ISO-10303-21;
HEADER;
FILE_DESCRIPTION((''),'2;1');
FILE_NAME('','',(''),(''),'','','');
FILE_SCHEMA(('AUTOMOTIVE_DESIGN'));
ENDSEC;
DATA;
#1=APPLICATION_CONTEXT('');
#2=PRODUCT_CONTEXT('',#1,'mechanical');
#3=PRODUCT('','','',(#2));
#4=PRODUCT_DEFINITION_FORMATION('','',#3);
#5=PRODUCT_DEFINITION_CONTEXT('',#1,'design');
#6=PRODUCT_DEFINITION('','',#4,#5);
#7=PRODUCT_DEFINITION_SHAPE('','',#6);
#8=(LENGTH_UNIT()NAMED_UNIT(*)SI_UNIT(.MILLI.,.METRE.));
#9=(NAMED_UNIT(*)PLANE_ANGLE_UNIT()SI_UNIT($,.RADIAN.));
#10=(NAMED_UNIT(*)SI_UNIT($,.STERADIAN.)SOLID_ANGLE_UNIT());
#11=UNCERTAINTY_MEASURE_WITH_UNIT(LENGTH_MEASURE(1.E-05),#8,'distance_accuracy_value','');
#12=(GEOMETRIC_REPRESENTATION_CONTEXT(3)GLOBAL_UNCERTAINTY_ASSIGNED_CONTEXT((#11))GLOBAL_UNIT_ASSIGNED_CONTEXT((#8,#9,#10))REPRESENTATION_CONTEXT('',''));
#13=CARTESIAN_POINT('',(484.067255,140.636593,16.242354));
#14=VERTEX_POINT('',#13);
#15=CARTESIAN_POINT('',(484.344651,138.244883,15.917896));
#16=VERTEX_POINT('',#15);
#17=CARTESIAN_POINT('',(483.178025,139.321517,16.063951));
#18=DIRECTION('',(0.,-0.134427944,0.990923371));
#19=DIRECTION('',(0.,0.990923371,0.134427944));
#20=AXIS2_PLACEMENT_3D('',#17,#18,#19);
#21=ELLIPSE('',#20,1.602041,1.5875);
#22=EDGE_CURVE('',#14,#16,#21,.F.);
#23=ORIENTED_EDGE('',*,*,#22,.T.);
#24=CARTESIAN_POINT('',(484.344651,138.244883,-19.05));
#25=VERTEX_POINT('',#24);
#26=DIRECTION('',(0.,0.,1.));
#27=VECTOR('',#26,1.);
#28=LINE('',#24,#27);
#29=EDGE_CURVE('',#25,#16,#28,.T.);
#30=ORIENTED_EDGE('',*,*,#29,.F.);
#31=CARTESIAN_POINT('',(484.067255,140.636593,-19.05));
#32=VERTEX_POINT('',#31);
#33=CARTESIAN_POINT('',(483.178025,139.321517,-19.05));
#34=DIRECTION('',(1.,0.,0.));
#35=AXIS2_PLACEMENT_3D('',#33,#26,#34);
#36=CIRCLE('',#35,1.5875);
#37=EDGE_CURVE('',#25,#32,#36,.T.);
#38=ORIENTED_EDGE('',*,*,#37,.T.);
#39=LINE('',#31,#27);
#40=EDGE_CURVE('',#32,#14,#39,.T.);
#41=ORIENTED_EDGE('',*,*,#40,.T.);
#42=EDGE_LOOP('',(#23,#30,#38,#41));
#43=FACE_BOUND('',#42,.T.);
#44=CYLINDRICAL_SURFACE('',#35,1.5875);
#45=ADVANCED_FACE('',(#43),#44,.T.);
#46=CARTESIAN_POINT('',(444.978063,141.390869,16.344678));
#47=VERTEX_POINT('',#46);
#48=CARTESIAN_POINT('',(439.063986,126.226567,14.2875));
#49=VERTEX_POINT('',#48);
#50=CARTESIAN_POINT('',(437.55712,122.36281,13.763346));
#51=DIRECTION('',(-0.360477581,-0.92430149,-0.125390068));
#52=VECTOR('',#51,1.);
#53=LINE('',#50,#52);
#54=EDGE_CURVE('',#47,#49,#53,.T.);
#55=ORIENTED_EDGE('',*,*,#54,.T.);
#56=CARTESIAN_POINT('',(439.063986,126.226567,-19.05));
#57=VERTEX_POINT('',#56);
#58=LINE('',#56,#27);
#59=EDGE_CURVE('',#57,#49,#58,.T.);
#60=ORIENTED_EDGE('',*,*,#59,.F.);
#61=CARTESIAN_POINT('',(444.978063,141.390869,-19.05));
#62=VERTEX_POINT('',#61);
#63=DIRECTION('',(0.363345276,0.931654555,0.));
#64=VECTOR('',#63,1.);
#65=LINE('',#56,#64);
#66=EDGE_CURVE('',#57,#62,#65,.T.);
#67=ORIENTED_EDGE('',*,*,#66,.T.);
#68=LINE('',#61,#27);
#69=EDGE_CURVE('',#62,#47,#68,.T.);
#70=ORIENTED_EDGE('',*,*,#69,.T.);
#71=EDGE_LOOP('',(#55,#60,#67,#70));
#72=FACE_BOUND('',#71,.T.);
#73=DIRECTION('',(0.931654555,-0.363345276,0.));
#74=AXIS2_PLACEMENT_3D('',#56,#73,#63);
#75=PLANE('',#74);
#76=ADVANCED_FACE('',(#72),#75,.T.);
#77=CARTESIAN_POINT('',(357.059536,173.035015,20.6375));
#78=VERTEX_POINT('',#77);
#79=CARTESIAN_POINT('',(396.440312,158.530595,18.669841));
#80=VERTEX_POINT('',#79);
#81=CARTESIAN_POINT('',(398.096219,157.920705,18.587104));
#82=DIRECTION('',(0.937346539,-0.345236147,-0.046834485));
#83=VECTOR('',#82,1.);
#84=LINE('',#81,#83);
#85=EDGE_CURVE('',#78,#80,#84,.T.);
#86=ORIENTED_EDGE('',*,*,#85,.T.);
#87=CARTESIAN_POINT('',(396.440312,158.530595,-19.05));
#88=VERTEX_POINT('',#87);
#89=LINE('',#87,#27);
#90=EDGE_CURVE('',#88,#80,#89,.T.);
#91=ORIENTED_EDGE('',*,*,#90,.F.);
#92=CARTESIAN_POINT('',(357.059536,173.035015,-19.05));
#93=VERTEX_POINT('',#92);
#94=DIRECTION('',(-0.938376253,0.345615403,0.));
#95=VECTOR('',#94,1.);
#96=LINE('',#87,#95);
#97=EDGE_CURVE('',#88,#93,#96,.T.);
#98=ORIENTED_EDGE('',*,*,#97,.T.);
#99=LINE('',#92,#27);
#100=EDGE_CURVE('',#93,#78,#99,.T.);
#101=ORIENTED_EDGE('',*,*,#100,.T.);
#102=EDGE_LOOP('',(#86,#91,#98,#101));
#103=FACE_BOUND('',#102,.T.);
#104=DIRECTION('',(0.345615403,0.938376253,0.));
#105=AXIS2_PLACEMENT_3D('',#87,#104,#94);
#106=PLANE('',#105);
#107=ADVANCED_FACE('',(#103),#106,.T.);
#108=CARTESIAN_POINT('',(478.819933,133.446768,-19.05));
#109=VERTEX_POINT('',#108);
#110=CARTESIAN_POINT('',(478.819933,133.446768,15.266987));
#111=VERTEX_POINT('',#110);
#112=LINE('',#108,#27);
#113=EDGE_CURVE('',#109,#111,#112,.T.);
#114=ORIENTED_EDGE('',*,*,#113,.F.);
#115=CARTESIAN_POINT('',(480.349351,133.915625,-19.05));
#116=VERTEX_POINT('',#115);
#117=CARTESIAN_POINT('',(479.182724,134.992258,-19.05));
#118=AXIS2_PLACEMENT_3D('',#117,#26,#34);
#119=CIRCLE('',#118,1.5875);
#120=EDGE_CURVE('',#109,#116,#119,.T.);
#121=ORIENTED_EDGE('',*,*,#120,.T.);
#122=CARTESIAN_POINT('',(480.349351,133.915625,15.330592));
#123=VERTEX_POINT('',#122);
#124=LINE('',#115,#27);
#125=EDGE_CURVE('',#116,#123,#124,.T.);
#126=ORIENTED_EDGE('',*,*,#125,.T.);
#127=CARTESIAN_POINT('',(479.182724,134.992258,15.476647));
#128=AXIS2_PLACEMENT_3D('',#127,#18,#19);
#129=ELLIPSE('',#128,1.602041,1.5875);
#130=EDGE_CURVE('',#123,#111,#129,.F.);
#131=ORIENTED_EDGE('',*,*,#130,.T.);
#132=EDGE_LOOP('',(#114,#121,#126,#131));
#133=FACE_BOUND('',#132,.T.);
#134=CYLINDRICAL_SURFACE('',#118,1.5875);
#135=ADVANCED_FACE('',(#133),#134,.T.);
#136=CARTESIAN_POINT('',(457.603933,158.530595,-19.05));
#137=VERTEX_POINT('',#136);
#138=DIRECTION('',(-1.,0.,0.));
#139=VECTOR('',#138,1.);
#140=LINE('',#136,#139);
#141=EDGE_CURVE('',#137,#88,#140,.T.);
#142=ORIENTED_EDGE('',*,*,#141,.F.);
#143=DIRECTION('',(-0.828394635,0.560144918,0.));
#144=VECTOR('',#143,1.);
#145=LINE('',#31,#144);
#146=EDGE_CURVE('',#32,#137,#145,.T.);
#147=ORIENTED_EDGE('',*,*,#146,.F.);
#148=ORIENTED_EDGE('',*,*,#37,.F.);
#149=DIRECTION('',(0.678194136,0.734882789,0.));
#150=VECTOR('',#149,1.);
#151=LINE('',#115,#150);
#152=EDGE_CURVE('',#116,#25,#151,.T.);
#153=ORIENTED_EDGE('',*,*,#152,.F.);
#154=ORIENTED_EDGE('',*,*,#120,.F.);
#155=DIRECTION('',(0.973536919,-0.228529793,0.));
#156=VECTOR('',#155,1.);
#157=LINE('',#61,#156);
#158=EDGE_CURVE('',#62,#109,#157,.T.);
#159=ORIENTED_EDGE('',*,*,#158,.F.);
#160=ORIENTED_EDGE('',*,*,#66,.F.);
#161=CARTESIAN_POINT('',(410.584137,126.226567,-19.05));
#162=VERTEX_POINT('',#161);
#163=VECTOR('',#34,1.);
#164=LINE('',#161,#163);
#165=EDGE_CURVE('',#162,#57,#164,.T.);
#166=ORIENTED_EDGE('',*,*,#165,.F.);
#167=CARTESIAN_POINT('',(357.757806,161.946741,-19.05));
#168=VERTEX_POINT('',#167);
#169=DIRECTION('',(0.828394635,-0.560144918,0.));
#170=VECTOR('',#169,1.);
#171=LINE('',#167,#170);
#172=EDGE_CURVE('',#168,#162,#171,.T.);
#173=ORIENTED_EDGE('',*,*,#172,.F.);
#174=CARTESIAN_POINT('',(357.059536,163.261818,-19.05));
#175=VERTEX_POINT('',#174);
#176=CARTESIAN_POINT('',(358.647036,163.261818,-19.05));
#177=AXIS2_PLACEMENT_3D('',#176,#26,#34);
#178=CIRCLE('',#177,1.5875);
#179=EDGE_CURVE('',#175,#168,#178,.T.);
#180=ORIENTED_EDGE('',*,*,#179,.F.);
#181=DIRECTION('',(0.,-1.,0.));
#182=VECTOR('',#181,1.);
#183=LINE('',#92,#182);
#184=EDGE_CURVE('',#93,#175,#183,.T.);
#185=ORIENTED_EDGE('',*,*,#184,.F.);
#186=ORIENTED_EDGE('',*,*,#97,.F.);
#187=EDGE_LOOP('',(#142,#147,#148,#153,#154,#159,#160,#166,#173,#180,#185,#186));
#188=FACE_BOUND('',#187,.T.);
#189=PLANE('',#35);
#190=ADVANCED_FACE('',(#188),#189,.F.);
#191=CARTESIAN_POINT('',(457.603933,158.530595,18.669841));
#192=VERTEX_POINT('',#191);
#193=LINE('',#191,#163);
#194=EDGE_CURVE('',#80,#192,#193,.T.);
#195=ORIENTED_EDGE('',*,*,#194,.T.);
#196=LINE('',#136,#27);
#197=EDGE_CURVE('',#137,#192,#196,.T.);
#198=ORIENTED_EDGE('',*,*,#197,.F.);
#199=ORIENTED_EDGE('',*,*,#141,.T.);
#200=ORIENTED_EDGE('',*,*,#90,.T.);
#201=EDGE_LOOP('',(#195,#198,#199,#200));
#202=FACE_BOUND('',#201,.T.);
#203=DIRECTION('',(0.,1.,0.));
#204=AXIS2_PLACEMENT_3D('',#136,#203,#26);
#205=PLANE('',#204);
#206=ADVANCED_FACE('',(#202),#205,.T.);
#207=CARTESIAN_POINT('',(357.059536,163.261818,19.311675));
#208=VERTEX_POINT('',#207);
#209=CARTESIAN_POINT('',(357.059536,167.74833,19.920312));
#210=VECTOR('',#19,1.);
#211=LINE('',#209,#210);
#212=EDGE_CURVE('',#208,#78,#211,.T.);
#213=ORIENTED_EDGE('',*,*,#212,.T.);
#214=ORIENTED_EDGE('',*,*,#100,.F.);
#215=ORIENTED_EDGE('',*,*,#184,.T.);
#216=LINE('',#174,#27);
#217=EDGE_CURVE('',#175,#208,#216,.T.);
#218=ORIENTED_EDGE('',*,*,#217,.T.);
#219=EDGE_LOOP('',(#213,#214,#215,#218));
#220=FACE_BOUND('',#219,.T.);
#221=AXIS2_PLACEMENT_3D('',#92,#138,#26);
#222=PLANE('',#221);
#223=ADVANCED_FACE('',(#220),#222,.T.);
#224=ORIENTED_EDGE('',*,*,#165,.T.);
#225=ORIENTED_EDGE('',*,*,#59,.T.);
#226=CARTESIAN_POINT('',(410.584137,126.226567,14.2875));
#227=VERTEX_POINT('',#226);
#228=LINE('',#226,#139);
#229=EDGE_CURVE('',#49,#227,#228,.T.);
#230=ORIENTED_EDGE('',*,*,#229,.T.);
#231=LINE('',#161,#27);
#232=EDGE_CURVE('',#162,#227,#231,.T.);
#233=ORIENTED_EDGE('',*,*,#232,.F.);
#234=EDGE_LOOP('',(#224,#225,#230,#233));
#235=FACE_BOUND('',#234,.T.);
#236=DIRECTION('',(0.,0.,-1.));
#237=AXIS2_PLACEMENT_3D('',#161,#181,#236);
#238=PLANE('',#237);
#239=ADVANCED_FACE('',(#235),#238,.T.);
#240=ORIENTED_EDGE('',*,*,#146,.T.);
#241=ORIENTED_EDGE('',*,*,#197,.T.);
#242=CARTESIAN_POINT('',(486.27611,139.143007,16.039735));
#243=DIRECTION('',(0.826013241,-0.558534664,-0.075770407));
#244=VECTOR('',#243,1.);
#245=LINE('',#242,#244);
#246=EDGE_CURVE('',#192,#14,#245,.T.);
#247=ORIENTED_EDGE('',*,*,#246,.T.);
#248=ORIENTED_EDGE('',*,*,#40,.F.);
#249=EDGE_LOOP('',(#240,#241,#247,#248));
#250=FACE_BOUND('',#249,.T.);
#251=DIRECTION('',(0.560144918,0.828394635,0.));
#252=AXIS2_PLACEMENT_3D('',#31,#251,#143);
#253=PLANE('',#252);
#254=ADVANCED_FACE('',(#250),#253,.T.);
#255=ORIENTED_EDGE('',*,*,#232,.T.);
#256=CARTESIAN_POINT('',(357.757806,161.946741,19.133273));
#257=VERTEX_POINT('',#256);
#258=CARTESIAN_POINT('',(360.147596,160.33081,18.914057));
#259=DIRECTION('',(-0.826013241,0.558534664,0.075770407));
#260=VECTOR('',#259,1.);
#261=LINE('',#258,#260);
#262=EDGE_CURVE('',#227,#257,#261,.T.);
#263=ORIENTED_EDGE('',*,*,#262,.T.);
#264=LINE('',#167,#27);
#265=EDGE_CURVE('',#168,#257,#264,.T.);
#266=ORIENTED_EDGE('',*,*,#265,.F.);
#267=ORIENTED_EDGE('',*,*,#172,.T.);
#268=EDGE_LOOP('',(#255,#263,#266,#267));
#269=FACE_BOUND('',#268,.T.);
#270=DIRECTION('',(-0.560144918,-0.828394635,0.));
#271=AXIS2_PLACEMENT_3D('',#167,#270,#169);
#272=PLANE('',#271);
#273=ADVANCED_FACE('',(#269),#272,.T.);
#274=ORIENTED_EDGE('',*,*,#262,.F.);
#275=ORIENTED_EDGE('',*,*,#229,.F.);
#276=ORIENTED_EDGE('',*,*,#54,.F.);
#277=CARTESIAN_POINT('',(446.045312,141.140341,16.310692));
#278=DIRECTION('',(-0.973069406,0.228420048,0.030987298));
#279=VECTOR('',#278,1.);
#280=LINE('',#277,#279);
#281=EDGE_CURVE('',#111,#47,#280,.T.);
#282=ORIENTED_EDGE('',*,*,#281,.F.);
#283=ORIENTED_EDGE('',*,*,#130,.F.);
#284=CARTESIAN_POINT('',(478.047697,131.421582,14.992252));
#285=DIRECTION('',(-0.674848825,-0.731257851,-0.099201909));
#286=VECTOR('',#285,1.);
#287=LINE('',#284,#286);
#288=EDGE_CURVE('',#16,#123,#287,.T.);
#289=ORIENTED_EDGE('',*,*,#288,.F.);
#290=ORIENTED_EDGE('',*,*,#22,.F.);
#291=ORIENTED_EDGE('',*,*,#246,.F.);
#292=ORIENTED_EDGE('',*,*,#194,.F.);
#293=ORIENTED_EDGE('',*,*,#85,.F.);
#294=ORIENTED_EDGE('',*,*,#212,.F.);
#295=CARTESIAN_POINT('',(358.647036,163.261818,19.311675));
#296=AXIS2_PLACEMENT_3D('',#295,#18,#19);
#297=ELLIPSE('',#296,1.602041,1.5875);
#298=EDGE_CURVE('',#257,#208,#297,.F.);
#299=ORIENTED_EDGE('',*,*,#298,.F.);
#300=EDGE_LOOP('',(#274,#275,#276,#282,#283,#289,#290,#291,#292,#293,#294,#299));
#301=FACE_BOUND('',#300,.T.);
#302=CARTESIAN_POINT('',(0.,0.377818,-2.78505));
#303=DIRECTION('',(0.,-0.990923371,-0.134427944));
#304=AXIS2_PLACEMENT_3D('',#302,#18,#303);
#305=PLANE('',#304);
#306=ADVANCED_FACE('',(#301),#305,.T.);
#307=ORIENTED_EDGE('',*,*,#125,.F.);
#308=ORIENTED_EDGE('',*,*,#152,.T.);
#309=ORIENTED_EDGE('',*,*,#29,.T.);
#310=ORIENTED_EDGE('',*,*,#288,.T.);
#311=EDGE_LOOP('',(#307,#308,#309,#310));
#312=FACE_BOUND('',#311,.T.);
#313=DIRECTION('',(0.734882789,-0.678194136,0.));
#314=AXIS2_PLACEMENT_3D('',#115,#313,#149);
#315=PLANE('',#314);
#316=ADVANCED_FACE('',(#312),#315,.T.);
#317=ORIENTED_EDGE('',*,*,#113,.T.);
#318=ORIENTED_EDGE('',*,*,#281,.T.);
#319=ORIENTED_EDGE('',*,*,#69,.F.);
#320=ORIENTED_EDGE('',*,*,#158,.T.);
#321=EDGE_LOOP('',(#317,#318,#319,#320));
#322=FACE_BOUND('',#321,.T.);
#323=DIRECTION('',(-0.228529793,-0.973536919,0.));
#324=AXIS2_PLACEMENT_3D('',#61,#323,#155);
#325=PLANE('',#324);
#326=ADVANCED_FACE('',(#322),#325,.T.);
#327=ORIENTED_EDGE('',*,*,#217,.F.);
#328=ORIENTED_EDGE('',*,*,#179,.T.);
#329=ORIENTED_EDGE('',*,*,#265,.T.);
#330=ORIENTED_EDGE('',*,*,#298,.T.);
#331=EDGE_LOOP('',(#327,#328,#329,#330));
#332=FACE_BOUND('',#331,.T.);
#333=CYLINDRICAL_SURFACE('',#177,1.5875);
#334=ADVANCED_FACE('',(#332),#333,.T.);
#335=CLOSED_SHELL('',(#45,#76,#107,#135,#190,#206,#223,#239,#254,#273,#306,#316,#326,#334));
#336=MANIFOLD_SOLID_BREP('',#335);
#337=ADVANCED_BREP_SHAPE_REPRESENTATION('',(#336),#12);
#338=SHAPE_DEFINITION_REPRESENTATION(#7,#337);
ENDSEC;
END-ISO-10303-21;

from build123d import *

# Parameters (mm, degrees)
BOSS_EXTRUDE1_DEPTH      = 20.6375
BOSS_EXTRUDE1_DEPTH_BACK = 19.05
SKETCH3_W                = 149.554059724
SKETCH3_H                = 74.48224525
CUT_EXTRUDE1_DEPTH       = 516.127884509


with BuildPart() as part:
    # Sketch1 → Boss-Extrude1 (new, two sides: drawn at the far end of the back side and taken through both)
    with BuildSketch(Plane.XY.offset(-BOSS_EXTRUDE1_DEPTH_BACK)):
        with BuildLine():
            Line((357.059535637, 173.035014711), (357.059535637, 163.261817954))
            ThreePointArc((357.059535637, 163.261817954), (357.244928479, 162.517337083), (357.75780558, 161.946741471))
            Line((357.75780558, 161.946741471), (410.584136752, 126.226566951))
            Line((410.584136752, 126.226566951), (439.063985597, 126.226566951))
            Line((439.063985597, 126.226566951), (444.978063494, 141.390869249))
            Line((444.978063494, 141.390869249), (478.819933038, 133.446768417))
            ThreePointArc((478.819933038, 133.446768417), (479.648013751, 133.474476416), (480.349350513, 133.915625085))
            Line((480.349350513, 133.915625085), (484.344651115, 138.244883468))
            ThreePointArc((484.344651115, 138.244883468), (484.754953748, 139.504412771), (484.067254744, 140.636593142))
            Line((484.067254744, 140.636593142), (457.603933076, 158.530595004))
            Line((457.603933076, 158.530595004), (396.440312316, 158.530595004))
            Line((396.440312316, 158.530595004), (357.059535637, 173.035014711))
        make_face()
    extrude(amount=BOSS_EXTRUDE1_DEPTH + BOSS_EXTRUDE1_DEPTH_BACK)

    # Sketch3 → Cut-Extrude1 (cut, through all)
    with BuildSketch(Plane(origin=(0, 0.377817836, -2.785049831), x_dir=(1, 0, 0), z_dir=(0, -0.13442794428844543, 0.9909233713029392))):
        with Locations((424.804234836, 142.512706275)):
            Rectangle(SKETCH3_W, SKETCH3_H)
    extrude(amount=CUT_EXTRUDE1_DEPTH, mode=Mode.SUBTRACT)


solid = part.part
